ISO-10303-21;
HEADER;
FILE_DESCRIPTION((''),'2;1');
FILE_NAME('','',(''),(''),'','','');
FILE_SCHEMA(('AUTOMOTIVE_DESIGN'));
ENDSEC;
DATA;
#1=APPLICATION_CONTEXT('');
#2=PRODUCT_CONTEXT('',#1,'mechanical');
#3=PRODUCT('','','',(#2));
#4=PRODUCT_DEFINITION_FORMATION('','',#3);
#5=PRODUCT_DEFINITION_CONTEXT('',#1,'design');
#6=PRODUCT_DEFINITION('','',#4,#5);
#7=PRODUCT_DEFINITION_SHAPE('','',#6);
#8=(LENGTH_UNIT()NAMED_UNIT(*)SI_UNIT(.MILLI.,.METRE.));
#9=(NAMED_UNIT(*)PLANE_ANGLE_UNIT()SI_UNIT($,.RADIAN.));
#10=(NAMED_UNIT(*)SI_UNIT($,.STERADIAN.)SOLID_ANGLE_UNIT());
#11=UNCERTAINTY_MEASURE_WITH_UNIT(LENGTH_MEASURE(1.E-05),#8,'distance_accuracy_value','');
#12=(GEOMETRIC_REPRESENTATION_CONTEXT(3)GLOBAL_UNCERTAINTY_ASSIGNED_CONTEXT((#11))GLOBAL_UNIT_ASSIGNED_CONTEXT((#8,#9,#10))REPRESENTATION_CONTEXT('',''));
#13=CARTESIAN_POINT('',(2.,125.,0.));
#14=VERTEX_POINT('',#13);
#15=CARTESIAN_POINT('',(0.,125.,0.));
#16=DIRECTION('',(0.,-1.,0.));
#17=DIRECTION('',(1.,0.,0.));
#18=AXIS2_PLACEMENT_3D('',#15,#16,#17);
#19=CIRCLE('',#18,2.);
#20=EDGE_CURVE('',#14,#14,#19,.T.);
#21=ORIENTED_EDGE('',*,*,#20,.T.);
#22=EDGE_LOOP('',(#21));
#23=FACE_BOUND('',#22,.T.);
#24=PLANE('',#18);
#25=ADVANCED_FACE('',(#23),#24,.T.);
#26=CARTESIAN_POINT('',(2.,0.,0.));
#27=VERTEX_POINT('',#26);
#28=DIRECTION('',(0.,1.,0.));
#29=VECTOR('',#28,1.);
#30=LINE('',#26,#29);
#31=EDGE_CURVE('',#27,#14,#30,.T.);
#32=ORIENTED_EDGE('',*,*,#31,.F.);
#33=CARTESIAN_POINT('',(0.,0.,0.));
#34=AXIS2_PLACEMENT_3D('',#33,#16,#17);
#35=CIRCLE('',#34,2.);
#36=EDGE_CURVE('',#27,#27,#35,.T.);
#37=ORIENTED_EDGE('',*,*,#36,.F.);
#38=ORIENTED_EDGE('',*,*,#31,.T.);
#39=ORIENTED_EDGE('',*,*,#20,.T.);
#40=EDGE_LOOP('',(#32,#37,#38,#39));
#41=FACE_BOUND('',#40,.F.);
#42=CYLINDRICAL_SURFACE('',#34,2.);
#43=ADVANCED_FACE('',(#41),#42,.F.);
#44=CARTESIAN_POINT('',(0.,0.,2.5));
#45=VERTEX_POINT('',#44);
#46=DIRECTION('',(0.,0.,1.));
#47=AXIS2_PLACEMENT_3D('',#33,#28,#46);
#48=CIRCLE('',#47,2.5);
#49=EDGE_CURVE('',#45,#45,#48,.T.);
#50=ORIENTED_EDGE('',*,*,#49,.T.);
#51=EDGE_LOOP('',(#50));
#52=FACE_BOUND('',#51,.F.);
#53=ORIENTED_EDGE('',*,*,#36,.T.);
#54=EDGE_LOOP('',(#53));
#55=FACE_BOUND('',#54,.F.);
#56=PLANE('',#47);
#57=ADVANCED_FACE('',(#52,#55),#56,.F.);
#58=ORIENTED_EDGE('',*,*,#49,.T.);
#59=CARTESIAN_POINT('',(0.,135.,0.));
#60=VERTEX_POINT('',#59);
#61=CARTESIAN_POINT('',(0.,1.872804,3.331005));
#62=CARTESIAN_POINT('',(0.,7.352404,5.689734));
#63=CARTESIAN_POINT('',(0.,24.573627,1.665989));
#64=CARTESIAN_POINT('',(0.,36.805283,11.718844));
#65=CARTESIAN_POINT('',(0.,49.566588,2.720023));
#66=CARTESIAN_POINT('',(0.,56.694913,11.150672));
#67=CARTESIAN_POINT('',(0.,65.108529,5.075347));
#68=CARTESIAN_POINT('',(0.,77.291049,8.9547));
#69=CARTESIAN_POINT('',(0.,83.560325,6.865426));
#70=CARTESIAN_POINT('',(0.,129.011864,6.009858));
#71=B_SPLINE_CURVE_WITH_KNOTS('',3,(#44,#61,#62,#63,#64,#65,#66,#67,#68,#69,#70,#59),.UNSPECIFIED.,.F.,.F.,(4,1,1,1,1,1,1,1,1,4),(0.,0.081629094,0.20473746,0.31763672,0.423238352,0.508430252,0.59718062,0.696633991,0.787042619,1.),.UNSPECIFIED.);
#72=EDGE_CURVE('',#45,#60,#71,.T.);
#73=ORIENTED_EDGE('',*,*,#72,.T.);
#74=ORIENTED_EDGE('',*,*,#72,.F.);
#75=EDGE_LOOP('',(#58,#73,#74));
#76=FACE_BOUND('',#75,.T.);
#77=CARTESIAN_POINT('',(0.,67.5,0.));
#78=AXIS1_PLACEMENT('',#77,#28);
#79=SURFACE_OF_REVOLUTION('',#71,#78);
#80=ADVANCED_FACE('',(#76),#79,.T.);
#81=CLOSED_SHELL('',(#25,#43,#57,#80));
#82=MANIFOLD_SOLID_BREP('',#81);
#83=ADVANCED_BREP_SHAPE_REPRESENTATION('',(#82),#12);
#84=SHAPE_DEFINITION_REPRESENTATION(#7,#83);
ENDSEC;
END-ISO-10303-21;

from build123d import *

# Parameters (mm, degrees)
F2_R     = 2
F3_DEPTH = 125


with BuildPart() as f1:
    # F0 (on Right) → F1 (revolve)
    with BuildSketch(Plane.YZ):
        with BuildLine():
            Line((0, 2.5), (0, 0))
            Line((0, 0), (135, 0))
            add(Edge.make_bspline(
                [(0, 2.5), (1.8728036797, 3.3310047337), (7.3524037502, 5.6897342393), (24.5736267592, 1.6659889993), (36.8052827744, 11.7188435589), (49.5665884918, 2.7200234668), (56.6949131651, 11.1506715949), (65.1085287643, 5.0753467184), (77.2910487131, 8.954700263), (83.5603248898, 6.8654255918), (129.0118644849, 6.0098583128), (135, 0)],
                knots=[0, 0, 0, 0, 0.081629094, 0.2047374602, 0.3176367203, 0.4232383523, 0.5084302517, 0.59718062, 0.6966339912, 0.7870426191, 1, 1, 1, 1], degree=3))
        make_face()
    revolve(axis=Axis((0, 67.5, 0), (0, 1, 0)))

    # F2 (on face) → F3 (cut)
    with BuildSketch(Plane.XZ):
        Circle(F2_R)
    extrude(amount=-F3_DEPTH, mode=Mode.SUBTRACT)


solid = f1.part
